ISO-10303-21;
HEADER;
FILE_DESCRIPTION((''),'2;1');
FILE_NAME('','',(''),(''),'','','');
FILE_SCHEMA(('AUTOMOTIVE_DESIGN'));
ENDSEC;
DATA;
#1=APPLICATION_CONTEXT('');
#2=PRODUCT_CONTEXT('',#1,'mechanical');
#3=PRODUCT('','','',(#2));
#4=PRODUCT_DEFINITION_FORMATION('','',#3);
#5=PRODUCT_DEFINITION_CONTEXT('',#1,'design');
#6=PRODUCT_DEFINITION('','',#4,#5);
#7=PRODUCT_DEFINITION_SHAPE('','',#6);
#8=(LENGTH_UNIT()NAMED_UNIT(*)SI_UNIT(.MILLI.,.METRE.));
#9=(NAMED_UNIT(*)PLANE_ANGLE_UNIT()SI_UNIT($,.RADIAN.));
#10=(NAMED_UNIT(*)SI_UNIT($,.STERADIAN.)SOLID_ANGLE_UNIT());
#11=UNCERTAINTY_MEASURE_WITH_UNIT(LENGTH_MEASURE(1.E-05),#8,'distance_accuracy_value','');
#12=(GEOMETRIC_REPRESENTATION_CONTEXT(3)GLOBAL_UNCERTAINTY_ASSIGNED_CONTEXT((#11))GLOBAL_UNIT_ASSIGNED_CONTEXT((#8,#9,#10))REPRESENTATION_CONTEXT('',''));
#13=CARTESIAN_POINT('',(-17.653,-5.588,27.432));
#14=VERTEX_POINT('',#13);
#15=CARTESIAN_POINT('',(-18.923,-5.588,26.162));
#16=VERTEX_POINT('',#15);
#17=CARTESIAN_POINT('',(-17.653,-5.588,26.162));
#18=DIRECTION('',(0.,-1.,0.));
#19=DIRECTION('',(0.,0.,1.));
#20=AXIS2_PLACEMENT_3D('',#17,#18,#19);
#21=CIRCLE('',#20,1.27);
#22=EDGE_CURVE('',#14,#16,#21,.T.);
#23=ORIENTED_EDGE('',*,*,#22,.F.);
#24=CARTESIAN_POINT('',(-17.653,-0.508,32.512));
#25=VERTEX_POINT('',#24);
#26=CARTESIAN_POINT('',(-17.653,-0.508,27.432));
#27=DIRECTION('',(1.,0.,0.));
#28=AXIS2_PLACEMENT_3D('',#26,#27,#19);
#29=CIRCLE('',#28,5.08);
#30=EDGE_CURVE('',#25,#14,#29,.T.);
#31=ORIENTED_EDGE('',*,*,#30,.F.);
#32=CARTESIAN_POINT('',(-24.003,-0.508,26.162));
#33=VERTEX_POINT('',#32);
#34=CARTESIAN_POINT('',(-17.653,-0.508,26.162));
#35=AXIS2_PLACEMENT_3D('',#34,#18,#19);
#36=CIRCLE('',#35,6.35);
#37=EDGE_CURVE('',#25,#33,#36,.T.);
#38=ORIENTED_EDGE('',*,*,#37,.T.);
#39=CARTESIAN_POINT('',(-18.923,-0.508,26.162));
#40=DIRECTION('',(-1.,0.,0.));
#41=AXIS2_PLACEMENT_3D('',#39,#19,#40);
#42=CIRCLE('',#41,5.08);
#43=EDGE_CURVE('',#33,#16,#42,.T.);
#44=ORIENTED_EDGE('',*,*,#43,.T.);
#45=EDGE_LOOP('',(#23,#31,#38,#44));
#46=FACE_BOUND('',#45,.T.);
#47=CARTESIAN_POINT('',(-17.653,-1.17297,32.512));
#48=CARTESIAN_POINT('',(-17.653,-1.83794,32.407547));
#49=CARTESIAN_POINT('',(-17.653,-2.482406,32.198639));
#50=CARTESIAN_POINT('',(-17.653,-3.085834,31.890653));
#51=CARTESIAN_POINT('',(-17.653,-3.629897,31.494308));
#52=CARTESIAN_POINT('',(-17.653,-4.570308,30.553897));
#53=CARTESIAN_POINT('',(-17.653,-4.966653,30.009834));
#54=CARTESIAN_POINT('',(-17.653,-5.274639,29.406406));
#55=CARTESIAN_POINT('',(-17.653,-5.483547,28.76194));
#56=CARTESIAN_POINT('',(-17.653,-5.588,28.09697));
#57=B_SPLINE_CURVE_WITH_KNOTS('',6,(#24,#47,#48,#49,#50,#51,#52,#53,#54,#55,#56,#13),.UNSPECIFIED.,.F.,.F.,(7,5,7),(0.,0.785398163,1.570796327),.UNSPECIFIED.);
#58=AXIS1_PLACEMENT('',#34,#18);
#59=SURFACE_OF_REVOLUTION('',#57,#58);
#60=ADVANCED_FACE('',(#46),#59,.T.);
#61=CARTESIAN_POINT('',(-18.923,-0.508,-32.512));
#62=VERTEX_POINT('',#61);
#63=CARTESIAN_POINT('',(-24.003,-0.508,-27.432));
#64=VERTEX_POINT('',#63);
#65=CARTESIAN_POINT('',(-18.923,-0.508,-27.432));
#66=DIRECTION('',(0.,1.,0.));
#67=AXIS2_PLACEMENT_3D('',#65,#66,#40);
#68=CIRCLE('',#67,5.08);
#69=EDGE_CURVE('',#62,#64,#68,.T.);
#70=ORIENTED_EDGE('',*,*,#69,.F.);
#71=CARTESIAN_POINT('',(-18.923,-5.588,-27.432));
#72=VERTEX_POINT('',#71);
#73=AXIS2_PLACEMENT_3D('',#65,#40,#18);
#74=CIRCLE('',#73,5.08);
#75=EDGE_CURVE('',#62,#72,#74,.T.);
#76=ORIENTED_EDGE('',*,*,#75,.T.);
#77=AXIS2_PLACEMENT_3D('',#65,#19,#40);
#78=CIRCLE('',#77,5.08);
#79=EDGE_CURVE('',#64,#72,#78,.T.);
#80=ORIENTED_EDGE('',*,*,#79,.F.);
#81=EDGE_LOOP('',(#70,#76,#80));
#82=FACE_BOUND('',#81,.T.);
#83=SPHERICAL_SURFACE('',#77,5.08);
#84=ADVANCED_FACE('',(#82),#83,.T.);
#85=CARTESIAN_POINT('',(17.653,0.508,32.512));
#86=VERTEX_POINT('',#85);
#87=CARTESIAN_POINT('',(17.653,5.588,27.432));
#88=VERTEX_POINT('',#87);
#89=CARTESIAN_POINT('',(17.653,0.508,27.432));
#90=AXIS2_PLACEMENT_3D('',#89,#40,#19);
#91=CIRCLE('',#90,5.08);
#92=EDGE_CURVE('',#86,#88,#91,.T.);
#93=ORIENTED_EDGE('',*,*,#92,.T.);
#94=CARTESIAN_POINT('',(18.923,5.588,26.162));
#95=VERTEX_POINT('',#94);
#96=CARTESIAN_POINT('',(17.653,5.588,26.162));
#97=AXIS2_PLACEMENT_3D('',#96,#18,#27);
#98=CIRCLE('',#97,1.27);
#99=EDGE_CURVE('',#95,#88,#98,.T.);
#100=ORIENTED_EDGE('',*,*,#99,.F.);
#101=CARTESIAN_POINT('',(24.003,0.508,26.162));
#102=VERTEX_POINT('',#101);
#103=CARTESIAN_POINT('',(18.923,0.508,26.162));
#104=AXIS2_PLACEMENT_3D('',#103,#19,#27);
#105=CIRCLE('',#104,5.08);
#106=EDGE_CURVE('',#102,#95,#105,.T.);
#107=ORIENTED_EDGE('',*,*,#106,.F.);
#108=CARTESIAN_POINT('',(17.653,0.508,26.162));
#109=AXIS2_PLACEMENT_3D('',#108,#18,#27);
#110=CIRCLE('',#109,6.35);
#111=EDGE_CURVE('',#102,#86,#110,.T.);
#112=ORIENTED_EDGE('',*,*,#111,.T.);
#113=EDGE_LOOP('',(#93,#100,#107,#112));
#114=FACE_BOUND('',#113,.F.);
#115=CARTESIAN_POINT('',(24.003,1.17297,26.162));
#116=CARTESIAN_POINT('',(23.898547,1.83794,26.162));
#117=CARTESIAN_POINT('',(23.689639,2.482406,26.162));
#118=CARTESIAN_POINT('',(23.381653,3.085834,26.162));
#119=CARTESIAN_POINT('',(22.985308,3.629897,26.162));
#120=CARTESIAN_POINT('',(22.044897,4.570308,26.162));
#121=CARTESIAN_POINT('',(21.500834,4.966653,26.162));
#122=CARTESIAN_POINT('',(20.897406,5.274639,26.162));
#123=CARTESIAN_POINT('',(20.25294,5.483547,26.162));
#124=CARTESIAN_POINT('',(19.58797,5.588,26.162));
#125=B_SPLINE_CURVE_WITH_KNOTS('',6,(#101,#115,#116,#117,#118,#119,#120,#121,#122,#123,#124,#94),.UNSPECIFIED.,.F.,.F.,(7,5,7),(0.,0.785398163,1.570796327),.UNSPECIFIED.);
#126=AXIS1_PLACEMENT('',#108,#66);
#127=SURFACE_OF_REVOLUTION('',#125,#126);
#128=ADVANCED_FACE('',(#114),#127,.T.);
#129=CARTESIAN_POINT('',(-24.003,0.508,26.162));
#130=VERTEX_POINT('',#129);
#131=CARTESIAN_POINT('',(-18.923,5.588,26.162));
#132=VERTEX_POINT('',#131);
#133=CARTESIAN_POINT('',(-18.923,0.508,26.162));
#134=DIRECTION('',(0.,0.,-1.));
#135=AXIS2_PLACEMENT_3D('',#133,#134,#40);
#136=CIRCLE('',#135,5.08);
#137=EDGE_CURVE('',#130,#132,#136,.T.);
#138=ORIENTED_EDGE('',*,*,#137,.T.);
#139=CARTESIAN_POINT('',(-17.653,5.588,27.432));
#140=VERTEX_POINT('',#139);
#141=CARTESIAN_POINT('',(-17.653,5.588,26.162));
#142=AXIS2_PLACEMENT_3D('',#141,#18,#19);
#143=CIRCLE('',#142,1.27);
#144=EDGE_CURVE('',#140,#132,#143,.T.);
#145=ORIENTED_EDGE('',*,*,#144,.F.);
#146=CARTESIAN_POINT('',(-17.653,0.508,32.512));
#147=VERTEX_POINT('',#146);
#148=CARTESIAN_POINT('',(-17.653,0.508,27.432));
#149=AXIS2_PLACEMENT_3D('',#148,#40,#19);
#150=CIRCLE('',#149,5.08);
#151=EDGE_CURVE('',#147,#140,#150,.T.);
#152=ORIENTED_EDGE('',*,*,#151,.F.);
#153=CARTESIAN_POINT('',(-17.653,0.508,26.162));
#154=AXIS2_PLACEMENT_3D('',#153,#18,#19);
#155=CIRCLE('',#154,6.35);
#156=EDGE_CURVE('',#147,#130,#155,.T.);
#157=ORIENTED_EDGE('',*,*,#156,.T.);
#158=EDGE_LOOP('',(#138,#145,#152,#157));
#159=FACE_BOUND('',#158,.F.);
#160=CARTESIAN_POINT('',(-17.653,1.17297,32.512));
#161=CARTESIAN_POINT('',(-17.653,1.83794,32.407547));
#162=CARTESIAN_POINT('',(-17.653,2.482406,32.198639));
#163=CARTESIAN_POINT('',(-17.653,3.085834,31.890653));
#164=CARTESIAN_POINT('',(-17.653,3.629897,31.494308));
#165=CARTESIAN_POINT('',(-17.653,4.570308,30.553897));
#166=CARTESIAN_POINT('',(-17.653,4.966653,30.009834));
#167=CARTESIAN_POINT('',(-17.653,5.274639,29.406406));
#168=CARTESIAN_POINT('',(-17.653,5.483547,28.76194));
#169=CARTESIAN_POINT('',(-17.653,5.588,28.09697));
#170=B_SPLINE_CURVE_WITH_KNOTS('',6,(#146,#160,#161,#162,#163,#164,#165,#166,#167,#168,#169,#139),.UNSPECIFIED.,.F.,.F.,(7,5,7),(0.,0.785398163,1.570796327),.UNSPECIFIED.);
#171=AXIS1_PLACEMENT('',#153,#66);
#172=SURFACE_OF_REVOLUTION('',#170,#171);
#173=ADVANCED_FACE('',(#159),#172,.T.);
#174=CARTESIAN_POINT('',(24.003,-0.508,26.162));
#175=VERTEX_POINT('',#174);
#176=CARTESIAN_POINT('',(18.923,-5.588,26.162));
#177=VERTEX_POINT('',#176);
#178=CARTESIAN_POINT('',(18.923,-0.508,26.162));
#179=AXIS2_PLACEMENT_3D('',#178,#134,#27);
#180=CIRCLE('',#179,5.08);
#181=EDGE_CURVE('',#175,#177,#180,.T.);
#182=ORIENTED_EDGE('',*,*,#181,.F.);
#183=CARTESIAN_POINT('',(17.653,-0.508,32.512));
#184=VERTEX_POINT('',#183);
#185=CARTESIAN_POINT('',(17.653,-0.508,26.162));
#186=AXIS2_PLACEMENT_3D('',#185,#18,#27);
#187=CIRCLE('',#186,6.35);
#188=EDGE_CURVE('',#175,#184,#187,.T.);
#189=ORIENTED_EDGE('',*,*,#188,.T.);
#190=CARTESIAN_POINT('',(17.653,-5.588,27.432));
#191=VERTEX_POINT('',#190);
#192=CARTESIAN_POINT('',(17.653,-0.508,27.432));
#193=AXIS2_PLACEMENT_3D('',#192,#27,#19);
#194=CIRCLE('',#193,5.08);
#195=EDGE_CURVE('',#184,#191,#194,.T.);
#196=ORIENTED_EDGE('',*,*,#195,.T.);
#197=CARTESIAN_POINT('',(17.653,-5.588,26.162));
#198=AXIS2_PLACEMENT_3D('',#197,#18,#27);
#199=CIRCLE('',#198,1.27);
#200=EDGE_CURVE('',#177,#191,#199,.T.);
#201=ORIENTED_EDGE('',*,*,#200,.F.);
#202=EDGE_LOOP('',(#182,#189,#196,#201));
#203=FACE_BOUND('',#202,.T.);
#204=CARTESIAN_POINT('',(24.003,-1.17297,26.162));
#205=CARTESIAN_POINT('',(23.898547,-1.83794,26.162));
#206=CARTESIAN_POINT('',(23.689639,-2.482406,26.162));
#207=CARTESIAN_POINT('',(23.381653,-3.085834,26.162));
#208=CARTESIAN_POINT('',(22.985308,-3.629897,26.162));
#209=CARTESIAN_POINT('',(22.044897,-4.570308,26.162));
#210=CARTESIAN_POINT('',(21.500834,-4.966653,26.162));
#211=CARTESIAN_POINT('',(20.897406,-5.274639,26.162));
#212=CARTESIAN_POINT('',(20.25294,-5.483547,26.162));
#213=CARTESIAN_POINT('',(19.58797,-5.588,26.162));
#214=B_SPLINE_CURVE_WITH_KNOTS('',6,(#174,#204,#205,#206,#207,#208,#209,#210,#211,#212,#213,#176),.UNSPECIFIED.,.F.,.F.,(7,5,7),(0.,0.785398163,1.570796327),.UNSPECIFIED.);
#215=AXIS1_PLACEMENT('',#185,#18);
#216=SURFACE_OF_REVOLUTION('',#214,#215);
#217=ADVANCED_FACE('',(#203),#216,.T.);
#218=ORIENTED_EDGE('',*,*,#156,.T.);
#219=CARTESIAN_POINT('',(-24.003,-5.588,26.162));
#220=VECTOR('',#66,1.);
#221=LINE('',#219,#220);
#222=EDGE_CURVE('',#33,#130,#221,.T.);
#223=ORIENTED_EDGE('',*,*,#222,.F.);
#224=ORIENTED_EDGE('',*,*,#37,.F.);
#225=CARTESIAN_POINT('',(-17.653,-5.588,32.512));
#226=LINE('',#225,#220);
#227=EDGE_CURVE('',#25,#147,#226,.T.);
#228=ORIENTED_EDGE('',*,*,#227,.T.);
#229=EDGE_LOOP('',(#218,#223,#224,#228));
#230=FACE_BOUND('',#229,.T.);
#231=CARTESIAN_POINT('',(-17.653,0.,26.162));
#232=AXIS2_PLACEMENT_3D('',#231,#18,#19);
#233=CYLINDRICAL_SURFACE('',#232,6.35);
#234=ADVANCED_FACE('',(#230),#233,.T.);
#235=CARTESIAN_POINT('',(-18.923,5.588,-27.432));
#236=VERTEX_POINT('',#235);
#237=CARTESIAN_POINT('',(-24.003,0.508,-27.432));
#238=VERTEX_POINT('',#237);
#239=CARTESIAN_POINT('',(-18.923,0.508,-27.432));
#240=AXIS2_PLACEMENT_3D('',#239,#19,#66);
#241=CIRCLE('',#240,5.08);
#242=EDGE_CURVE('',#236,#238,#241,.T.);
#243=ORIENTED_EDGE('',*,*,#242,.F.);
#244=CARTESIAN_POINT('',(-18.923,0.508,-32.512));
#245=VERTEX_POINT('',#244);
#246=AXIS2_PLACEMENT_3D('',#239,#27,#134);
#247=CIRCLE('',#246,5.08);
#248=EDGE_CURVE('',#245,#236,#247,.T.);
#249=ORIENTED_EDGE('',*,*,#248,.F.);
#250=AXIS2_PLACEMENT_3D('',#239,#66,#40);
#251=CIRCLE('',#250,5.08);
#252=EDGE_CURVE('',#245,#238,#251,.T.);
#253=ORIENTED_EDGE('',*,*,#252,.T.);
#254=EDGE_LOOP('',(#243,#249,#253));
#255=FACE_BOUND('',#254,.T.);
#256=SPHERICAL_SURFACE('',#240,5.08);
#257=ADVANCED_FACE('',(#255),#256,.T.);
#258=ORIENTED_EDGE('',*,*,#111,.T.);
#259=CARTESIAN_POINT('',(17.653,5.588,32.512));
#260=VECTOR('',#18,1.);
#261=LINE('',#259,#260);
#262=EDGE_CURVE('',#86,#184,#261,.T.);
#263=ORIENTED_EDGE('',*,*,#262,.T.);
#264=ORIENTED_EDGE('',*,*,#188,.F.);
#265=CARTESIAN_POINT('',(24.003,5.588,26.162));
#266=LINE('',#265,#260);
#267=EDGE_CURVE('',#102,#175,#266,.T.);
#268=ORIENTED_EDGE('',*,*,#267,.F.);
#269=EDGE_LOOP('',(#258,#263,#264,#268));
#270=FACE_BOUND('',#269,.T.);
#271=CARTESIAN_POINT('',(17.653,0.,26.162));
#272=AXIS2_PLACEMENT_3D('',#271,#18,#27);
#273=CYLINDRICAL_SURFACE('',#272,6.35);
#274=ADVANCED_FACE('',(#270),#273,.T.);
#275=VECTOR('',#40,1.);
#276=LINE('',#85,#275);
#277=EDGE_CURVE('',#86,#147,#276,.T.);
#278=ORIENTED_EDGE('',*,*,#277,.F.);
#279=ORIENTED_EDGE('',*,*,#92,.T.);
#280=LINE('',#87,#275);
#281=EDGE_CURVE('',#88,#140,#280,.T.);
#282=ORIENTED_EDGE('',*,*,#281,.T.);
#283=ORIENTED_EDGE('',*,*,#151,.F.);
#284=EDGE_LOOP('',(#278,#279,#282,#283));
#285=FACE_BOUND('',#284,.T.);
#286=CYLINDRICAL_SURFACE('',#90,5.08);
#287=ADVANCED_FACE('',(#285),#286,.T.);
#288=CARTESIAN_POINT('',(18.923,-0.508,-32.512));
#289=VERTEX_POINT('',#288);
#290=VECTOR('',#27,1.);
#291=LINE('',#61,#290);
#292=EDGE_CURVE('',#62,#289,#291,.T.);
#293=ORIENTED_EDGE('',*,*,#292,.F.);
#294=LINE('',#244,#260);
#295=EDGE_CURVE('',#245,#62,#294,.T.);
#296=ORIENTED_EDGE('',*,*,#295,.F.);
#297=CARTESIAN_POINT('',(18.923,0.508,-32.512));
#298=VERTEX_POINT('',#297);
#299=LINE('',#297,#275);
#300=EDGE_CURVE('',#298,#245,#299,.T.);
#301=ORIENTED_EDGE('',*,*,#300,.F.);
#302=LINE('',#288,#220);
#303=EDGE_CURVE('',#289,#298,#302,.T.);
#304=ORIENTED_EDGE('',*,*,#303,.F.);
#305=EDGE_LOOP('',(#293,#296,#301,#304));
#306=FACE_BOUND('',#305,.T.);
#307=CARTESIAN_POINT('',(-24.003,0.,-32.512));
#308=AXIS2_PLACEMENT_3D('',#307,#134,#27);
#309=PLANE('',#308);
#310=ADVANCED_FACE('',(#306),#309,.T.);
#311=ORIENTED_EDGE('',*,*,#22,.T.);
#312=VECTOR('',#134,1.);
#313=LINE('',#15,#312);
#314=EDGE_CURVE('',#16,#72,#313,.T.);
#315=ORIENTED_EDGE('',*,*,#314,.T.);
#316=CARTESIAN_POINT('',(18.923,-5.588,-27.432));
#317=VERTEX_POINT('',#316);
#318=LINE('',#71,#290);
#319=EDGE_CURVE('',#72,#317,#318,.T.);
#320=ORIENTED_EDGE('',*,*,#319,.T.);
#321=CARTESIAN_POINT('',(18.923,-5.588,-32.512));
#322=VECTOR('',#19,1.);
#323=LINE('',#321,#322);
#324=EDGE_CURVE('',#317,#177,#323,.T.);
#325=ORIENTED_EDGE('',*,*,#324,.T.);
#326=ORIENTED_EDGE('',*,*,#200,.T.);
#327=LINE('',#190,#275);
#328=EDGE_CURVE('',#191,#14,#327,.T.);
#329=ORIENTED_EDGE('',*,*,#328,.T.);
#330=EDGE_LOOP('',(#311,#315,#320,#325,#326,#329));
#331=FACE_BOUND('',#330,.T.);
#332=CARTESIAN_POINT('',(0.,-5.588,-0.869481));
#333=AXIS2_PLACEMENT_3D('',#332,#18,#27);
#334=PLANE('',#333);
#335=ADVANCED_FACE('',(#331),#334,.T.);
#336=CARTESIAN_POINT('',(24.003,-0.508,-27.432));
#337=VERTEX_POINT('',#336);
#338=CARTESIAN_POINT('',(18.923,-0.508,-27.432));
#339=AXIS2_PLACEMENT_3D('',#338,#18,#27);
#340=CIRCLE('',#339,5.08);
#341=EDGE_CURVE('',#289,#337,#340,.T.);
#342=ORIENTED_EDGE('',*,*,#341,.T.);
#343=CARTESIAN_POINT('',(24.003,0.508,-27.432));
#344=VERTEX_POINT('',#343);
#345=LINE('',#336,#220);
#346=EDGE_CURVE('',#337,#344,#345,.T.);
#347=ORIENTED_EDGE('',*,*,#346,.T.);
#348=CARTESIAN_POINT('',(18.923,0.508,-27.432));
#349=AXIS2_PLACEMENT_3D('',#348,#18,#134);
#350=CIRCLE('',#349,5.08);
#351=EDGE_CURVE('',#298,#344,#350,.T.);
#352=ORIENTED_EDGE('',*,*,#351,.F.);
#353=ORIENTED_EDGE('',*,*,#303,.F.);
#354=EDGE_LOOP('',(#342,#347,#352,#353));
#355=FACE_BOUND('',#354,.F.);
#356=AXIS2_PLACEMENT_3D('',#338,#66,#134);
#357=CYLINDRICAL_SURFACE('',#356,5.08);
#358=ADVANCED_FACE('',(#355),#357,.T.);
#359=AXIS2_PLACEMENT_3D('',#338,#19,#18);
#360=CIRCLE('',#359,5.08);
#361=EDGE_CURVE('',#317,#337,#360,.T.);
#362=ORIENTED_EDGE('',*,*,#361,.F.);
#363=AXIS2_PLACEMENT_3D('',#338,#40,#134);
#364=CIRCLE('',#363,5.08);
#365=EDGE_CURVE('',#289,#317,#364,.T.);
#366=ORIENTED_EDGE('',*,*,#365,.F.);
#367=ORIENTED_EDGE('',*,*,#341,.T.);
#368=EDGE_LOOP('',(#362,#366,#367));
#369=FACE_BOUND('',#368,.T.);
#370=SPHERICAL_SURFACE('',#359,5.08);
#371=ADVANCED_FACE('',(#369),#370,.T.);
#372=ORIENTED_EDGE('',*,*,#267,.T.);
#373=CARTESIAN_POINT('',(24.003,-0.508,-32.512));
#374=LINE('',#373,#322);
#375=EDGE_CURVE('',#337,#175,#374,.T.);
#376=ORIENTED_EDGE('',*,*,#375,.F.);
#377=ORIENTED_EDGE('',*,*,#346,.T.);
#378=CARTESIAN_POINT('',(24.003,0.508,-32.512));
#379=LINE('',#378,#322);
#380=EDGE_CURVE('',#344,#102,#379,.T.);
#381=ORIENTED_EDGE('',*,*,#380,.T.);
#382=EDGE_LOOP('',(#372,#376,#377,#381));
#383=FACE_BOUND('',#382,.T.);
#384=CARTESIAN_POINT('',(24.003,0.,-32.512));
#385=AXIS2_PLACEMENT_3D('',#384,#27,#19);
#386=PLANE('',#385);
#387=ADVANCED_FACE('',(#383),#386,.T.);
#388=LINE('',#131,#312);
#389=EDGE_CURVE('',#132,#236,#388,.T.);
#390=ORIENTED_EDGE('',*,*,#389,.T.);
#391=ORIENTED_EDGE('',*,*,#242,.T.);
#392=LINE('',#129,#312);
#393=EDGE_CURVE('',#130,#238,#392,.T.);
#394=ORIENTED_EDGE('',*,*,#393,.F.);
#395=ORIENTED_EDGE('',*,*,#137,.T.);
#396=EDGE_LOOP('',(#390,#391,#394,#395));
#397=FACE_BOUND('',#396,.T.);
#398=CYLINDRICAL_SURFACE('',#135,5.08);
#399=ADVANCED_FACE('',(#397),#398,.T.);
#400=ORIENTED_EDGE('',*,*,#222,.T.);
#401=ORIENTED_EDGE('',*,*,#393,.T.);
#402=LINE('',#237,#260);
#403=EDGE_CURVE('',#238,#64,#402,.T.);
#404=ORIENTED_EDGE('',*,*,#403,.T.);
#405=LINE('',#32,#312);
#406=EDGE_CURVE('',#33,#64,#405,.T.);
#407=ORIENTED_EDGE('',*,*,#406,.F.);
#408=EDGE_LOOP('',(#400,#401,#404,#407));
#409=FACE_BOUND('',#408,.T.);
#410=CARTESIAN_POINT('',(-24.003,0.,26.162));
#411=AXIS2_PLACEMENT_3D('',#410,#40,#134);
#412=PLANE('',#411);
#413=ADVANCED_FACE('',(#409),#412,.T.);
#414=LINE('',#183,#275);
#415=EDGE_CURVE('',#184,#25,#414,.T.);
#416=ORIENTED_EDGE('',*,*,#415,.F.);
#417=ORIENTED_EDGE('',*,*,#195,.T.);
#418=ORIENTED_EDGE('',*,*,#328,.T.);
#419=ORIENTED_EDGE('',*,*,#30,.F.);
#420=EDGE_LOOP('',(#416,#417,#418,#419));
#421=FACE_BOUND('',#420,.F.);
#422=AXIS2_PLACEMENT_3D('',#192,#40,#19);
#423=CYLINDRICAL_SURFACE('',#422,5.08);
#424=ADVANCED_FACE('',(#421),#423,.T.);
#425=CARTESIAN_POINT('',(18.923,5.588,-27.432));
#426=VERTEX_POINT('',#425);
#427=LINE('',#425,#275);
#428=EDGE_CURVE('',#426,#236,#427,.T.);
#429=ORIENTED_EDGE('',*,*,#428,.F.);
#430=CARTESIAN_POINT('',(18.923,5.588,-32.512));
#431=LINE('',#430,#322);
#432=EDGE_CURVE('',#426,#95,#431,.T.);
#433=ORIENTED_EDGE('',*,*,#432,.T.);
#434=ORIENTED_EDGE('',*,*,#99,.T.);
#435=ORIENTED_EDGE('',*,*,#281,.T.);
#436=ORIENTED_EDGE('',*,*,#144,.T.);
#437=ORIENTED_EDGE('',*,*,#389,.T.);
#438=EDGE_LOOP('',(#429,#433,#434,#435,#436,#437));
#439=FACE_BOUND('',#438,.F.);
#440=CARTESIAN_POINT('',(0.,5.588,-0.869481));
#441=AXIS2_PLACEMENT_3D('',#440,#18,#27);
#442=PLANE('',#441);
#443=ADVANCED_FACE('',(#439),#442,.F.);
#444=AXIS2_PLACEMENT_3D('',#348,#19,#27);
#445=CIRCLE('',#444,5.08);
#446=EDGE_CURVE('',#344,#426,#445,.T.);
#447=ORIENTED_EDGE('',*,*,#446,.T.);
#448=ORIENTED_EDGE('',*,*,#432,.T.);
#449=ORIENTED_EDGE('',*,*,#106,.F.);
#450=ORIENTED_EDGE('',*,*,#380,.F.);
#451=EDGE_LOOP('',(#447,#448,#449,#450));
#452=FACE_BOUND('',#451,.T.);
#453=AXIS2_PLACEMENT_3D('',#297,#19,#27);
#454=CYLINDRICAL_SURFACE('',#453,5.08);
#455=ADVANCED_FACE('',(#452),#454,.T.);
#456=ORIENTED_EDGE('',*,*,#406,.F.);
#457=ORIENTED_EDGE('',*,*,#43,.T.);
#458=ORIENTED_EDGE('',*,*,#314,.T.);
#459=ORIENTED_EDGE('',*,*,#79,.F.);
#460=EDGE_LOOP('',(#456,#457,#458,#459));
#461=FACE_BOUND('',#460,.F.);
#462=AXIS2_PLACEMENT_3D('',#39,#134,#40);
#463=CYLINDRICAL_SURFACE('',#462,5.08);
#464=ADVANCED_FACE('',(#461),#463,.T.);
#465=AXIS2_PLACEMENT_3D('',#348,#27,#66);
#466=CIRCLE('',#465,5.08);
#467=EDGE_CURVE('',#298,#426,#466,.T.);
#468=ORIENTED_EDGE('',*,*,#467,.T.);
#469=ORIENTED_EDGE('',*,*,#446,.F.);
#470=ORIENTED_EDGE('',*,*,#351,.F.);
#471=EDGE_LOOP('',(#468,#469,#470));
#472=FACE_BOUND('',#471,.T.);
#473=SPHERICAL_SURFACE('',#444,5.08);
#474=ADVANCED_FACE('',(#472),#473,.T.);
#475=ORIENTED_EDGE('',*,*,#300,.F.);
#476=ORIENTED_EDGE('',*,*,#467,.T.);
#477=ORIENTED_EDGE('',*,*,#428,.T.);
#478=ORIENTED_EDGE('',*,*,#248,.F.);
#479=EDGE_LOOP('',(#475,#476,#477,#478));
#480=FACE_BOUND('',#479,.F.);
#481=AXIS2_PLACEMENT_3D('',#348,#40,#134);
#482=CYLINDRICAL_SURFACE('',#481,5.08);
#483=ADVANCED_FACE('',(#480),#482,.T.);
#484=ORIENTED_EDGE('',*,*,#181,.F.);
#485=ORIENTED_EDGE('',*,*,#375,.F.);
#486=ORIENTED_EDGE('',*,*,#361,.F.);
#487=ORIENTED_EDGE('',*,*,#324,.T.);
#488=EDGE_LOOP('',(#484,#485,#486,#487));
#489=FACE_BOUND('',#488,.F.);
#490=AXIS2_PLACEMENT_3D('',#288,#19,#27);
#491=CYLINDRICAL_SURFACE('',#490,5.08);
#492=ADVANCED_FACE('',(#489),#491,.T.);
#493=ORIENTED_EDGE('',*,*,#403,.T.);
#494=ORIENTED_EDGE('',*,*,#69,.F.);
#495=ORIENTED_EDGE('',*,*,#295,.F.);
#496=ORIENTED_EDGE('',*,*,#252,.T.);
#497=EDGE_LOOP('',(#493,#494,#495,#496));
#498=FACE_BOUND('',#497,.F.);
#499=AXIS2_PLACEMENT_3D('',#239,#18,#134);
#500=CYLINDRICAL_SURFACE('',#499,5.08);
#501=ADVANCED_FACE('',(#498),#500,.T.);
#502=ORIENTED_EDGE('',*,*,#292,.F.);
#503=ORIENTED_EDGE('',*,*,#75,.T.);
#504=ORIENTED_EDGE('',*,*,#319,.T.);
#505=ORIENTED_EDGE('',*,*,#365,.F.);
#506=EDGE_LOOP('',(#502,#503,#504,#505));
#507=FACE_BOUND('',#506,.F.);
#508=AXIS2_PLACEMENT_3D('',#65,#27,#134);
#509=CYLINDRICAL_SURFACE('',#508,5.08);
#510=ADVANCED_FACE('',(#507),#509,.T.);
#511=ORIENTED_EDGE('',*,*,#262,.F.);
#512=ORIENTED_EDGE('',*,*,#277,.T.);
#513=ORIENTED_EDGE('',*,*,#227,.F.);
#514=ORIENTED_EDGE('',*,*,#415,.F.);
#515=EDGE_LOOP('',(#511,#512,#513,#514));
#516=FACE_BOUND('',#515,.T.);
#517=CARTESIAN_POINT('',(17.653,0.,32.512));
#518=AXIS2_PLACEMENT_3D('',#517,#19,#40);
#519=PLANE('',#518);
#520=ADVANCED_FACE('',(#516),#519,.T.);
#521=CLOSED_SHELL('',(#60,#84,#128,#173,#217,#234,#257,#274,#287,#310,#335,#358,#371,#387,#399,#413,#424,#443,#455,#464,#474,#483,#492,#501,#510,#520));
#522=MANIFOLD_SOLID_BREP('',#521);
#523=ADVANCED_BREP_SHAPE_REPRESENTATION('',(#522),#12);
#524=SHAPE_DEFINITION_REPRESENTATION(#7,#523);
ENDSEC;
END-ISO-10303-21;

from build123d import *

# Parameters (mm, degrees)
F1_DEPTH = 5.588
F2_R     = 5.08
F3_R     = 5.08


with BuildPart() as f1:
    # F0 (on Front) → F1 (new body, symmetric)
    with BuildSketch(Plane.XZ):
        with BuildLine():
            Line((-24.003, -32.512), (24.003, -32.512))
            Line((24.003, -32.512), (24.003, 26.162))
            ThreePointArc((24.003, 26.162), (22.1431280605, 30.6521280605), (17.653, 32.512))
            Line((17.653, 32.512), (-17.653, 32.512))
            ThreePointArc((-17.653, 32.512), (-22.1431280605, 30.6521280605), (-24.003, 26.162))
            Line((-24.003, 26.162), (-24.003, -32.512))
        make_face()
    extrude(amount=F1_DEPTH, both=True)

    # F2
    f2_edges = [f1.edges().sort_by_distance(p)[0] for p in [
        (-22.143128, 5.588, 30.652128),
        (-24.003, 0, 26.162),
        (-22.143128, -5.588, 30.652128),
        (-17.653, 0, 32.512),
    ]]
    fillet(f2_edges, radius=F2_R)

    # F3
    f3_edges = [f1.edges().sort_by_distance(p)[0] for p in [
        (-22.515102, -4.100102, -32.512),
        (22.515102, -4.100102, -32.512),
    ]]
    fillet(f3_edges, radius=F3_R)


solid = f1.part
